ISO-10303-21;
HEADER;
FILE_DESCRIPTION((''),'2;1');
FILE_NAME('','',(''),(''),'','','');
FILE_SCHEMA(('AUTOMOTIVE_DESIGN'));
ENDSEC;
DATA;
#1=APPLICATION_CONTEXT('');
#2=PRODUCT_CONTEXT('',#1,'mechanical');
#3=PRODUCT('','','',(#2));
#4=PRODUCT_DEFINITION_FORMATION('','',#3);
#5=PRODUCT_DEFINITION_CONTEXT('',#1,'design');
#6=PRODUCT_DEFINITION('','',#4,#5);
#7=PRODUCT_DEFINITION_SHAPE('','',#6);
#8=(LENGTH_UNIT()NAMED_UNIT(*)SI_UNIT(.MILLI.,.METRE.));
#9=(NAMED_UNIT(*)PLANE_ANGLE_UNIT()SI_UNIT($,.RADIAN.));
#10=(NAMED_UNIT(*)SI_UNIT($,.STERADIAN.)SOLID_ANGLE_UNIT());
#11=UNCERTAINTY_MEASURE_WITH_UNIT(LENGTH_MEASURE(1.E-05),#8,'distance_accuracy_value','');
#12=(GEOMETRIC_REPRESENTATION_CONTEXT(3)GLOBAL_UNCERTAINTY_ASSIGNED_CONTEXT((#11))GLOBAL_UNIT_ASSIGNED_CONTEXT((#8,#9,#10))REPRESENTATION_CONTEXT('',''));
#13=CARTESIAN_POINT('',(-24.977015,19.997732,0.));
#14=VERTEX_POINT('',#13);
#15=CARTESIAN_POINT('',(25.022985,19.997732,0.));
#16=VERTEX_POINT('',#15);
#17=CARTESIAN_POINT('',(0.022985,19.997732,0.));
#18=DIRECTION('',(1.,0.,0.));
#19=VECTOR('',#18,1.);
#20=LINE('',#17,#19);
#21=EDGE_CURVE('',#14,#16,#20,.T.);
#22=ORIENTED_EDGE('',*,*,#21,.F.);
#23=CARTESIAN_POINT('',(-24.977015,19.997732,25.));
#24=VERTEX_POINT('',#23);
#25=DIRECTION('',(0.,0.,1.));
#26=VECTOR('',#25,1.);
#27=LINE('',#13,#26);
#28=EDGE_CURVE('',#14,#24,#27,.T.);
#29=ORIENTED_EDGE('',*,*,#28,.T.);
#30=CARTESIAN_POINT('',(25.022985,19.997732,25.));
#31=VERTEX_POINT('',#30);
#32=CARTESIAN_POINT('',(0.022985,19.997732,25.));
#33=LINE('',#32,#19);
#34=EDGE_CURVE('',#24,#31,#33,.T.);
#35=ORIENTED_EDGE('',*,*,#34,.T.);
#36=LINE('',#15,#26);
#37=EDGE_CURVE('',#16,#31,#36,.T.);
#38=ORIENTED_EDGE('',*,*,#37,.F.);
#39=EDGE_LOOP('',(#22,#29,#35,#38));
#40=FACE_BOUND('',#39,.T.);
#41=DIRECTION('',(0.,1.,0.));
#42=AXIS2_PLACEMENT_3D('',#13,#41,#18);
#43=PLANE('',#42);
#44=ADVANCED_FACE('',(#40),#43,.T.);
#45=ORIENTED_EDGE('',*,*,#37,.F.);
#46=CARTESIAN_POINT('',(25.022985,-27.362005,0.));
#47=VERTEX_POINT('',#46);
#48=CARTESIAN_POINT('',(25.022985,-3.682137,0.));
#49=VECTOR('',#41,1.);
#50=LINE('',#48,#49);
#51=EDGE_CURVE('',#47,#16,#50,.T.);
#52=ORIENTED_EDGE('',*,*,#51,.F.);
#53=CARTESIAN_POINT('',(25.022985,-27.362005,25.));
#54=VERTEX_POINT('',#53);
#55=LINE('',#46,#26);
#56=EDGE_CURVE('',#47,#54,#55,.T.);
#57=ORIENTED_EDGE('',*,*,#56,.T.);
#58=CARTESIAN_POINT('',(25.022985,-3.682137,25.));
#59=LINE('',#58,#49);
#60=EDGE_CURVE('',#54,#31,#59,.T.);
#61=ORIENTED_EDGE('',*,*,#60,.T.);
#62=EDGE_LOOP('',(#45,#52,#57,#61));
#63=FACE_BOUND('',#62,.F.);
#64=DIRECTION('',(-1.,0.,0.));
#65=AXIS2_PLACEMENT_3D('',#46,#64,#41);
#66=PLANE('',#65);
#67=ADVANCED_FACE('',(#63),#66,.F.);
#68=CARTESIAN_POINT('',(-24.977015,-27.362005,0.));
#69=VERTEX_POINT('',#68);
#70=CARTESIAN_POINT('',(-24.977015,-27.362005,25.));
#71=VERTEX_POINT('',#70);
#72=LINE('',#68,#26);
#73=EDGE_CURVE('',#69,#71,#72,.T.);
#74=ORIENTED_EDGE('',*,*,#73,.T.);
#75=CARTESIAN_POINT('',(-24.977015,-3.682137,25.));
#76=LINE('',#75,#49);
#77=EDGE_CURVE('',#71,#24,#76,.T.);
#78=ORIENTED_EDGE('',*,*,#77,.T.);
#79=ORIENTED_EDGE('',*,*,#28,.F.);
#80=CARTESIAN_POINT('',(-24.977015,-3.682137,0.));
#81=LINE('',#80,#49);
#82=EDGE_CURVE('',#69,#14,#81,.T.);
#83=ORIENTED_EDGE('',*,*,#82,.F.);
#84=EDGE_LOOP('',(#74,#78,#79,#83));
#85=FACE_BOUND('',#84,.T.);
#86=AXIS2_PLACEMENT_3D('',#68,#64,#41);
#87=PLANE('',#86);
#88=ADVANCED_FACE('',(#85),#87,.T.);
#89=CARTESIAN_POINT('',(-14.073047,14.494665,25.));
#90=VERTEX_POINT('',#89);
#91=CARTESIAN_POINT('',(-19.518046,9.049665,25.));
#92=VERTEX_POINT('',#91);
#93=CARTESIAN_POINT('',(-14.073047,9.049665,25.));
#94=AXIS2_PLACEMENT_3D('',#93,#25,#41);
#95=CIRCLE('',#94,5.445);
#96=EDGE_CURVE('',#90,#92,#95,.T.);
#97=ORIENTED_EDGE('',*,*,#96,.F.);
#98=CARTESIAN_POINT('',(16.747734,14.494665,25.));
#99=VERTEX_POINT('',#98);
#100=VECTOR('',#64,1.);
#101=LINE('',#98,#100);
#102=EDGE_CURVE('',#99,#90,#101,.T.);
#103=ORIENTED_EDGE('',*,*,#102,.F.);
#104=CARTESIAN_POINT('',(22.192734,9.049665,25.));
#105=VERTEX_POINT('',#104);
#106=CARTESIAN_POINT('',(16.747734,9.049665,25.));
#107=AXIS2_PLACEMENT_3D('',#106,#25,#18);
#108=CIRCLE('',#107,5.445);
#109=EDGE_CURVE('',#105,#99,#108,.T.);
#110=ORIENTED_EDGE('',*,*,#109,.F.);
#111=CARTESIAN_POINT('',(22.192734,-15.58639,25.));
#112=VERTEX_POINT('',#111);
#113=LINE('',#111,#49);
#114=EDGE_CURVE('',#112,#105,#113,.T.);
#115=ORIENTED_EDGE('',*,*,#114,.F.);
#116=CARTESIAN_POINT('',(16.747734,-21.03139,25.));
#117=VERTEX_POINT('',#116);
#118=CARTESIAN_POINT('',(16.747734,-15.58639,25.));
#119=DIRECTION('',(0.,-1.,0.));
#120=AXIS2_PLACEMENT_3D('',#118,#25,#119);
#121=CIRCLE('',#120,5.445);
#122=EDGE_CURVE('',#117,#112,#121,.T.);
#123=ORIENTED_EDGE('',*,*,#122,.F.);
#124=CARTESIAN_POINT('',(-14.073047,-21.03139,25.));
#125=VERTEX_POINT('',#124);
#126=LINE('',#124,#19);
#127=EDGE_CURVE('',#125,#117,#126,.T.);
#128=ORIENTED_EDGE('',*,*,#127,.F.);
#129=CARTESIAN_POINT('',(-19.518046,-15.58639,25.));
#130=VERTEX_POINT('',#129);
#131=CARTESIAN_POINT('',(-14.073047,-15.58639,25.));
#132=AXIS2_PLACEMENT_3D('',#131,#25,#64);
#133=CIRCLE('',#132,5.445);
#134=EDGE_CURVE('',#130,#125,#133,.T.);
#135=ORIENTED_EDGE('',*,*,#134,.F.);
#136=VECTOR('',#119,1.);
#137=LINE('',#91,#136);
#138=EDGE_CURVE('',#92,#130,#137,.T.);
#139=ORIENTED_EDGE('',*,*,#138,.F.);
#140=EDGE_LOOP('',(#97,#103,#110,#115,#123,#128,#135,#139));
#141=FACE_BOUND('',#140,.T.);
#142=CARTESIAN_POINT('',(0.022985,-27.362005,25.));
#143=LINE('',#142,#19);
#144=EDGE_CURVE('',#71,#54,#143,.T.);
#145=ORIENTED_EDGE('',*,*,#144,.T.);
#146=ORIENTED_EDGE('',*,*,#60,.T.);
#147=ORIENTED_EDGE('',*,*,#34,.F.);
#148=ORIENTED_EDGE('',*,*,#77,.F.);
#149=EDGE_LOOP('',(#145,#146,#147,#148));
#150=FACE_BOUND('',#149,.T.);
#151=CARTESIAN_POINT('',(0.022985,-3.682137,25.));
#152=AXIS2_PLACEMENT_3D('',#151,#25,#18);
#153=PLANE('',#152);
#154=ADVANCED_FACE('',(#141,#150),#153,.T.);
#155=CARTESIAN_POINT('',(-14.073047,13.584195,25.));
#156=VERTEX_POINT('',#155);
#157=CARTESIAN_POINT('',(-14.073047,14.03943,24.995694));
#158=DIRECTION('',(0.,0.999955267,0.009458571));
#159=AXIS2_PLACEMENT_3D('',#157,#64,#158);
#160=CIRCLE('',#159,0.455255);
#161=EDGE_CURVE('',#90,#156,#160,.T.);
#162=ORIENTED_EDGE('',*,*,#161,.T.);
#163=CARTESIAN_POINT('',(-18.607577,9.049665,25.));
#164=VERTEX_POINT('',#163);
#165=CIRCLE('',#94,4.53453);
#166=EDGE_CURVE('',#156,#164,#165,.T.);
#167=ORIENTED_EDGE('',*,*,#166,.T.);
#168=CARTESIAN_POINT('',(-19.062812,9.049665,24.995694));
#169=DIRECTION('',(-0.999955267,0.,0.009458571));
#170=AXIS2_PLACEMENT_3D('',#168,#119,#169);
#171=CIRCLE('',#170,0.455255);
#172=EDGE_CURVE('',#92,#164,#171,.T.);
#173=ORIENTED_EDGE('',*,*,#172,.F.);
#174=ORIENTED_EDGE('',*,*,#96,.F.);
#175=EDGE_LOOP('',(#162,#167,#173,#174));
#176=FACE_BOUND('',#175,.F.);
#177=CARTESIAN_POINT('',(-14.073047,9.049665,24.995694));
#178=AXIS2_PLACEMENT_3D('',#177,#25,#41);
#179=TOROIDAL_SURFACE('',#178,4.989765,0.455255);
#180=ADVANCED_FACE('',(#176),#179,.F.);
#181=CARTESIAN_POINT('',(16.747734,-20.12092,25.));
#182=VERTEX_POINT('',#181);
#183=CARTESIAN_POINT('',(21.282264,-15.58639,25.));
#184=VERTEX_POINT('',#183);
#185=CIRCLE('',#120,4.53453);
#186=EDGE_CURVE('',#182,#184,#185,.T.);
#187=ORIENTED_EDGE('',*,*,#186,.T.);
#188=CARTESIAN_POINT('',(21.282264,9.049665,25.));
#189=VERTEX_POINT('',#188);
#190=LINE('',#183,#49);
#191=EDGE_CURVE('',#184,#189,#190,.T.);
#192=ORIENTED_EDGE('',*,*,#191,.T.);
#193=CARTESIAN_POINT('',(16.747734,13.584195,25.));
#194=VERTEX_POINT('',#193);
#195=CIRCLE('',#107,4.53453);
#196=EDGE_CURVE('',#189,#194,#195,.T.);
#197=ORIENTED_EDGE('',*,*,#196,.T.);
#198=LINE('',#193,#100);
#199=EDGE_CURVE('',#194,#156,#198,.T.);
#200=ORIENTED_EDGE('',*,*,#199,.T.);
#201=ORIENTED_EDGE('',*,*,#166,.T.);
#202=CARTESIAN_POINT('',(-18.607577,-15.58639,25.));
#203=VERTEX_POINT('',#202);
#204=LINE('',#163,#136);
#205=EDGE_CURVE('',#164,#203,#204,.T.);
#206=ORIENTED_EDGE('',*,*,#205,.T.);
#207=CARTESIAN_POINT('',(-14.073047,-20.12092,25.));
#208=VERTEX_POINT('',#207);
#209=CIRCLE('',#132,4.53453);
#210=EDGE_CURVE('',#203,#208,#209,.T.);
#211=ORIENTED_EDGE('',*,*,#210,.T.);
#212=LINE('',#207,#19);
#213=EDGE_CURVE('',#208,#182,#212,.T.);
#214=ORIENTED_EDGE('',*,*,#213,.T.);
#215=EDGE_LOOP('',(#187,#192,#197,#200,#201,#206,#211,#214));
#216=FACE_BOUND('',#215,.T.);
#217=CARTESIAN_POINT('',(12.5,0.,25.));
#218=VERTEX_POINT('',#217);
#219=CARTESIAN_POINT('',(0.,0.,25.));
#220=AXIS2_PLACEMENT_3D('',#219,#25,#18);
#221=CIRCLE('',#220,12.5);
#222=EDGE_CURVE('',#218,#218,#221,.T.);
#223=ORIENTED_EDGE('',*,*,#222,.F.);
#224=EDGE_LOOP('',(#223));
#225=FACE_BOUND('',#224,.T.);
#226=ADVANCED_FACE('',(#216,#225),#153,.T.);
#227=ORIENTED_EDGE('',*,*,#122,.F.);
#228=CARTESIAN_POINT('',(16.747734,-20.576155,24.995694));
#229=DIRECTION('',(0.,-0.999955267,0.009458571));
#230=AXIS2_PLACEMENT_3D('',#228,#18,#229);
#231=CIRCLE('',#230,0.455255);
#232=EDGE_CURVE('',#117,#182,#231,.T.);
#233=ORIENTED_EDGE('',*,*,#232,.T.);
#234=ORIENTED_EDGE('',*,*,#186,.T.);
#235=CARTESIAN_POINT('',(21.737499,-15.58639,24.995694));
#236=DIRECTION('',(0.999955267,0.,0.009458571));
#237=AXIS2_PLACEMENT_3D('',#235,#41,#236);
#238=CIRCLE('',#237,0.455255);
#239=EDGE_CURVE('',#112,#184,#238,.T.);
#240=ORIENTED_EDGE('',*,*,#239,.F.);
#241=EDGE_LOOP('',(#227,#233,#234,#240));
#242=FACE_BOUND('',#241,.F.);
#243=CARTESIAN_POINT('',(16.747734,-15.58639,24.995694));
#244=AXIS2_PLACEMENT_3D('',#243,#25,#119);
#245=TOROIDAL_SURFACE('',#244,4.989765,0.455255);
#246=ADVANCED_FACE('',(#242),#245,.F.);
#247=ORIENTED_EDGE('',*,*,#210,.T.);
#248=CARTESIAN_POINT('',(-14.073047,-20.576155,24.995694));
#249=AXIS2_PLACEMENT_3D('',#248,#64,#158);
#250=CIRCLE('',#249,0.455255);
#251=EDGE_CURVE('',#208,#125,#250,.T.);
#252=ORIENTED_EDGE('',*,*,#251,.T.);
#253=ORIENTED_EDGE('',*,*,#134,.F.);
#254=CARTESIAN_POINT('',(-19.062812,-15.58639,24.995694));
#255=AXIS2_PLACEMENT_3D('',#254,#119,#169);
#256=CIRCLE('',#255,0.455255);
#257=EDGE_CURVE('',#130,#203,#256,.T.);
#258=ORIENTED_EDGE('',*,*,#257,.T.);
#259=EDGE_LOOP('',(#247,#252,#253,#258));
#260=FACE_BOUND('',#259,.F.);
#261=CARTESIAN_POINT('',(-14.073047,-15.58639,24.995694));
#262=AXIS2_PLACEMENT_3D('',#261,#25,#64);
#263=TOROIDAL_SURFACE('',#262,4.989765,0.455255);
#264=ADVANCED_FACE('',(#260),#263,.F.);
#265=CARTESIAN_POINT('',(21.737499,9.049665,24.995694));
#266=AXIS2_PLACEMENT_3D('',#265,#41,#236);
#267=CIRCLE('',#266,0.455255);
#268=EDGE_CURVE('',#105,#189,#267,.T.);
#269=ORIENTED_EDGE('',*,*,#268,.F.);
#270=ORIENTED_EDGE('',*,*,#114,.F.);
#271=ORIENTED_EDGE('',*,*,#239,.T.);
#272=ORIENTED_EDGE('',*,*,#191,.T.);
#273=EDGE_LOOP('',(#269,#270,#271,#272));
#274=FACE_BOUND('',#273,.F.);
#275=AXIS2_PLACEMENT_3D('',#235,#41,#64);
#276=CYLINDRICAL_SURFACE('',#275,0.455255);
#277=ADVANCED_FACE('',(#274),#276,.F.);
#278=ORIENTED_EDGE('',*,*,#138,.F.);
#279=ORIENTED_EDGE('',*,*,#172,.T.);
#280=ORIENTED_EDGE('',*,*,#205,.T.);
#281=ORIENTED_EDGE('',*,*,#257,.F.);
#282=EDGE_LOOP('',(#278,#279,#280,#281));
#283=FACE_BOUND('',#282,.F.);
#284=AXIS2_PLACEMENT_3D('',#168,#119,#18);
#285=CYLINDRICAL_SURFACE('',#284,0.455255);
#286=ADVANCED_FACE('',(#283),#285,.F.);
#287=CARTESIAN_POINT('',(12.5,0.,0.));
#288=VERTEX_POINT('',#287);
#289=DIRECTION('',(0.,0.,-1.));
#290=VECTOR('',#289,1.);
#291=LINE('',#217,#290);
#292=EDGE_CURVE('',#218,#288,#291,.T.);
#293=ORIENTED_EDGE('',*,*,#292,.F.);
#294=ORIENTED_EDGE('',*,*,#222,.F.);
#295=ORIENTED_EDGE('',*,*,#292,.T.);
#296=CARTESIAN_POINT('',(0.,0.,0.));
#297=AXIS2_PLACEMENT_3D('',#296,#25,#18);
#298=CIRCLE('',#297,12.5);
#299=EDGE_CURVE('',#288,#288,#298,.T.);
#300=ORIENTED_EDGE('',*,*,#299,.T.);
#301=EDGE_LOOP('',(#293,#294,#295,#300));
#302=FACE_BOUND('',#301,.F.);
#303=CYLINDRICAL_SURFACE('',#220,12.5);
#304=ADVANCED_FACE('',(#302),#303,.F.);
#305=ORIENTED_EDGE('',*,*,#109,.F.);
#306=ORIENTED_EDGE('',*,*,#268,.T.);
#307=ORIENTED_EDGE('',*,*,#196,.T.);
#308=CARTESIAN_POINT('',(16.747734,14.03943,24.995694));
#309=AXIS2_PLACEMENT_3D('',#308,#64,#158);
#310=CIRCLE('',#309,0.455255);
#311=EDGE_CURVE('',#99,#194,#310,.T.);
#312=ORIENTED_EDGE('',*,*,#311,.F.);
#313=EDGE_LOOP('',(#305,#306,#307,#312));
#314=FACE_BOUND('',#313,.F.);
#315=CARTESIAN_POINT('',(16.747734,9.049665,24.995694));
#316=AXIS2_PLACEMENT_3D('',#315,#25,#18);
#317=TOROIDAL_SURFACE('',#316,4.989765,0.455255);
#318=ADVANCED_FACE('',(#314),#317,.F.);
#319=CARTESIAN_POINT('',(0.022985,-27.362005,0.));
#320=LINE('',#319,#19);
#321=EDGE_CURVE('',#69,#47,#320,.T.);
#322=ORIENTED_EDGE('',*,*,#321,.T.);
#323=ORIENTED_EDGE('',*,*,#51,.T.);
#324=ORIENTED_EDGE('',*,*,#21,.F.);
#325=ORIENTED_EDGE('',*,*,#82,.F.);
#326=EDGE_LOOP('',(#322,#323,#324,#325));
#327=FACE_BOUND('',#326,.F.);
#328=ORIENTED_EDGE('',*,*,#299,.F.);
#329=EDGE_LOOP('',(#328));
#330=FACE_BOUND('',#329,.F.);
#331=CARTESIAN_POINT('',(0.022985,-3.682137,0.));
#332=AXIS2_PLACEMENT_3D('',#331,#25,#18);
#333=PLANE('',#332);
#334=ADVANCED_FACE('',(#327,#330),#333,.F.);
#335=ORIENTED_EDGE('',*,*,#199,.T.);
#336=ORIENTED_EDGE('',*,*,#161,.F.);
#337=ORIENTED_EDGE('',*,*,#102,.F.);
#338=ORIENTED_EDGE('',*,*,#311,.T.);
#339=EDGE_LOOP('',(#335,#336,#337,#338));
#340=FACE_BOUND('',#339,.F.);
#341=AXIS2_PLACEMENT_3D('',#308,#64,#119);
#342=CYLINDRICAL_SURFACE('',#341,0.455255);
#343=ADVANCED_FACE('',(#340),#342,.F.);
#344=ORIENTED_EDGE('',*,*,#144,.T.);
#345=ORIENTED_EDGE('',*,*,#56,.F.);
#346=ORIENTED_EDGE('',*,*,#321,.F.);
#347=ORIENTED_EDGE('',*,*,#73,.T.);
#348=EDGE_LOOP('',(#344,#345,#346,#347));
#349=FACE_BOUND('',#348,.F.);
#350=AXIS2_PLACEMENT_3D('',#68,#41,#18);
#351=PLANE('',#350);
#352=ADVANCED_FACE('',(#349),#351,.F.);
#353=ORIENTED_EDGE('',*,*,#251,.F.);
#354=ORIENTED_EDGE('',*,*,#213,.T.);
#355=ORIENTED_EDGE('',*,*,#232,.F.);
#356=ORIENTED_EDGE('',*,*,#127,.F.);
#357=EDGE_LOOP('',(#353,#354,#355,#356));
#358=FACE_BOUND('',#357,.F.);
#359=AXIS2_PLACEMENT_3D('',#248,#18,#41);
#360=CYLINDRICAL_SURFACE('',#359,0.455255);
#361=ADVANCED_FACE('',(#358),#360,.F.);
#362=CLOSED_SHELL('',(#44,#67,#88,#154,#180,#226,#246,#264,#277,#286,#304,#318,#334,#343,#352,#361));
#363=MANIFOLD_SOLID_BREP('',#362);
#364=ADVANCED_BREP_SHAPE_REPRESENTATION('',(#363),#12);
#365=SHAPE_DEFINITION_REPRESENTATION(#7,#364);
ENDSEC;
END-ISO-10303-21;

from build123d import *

# Parameters (mm, degrees)
F0_W     = 50
F0_H     = 47.3597366856
F1_DEPTH = 25
F2_R     = 12.5
F3_DEPTH = 25
F5_R     = 0.4552551452


with BuildPart() as f1:
    # F0 (on Top) → F1 (new body)
    with BuildSketch(Plane.XY):
        with Locations((0.0229850411, -3.6821365356)):
            Rectangle(F0_W, F0_H)
    extrude(amount=F1_DEPTH)

    # F2 (on face) → F3 (cut, through all)
    with BuildSketch(Plane.XY.offset(25)):
        Circle(F2_R)
    extrude(amount=-F3_DEPTH, mode=Mode.SUBTRACT)

    # F6: sweep along a path in F4
    with BuildLine(Plane.XY.offset(25)) as f6_path:
        Line((-14.0730467439, -20.5863900483), (16.7477343976, -20.5863900483))
        ThreePointArc((16.7477343976, -20.5863900483), (20.2832683036, -19.1219239542), (21.7477343976, -15.5863900483))
        Line((21.7477343976, -15.5863900483), (21.7477343976, 9.0496650711))
        ThreePointArc((21.7477343976, 9.0496650711), (20.2832683036, 12.585198977), (16.7477343976, 14.0496650711))
        Line((16.7477343976, 14.0496650711), (-14.0730467439, 14.0496650711))
        ThreePointArc((-14.0730467439, 14.0496650711), (-17.6085806498, 12.585198977), (-19.0730467439, 9.0496650711))
        Line((-19.0730467439, 9.0496650711), (-19.0730467439, -15.5863900483))
        ThreePointArc((-19.0730467439, -15.5863900483), (-17.6085806498, -19.1219239542), (-14.0730467439, -20.5863900483))
    # F5 (on Right) → F6 (sweep, cut)
    with BuildSketch(Plane.YZ):
        with Locations((-20.5761548132, 24.9956939369)):
            Circle(F5_R)
    sweep(path=f6_path.line, mode=Mode.SUBTRACT)


solid = f1.part
